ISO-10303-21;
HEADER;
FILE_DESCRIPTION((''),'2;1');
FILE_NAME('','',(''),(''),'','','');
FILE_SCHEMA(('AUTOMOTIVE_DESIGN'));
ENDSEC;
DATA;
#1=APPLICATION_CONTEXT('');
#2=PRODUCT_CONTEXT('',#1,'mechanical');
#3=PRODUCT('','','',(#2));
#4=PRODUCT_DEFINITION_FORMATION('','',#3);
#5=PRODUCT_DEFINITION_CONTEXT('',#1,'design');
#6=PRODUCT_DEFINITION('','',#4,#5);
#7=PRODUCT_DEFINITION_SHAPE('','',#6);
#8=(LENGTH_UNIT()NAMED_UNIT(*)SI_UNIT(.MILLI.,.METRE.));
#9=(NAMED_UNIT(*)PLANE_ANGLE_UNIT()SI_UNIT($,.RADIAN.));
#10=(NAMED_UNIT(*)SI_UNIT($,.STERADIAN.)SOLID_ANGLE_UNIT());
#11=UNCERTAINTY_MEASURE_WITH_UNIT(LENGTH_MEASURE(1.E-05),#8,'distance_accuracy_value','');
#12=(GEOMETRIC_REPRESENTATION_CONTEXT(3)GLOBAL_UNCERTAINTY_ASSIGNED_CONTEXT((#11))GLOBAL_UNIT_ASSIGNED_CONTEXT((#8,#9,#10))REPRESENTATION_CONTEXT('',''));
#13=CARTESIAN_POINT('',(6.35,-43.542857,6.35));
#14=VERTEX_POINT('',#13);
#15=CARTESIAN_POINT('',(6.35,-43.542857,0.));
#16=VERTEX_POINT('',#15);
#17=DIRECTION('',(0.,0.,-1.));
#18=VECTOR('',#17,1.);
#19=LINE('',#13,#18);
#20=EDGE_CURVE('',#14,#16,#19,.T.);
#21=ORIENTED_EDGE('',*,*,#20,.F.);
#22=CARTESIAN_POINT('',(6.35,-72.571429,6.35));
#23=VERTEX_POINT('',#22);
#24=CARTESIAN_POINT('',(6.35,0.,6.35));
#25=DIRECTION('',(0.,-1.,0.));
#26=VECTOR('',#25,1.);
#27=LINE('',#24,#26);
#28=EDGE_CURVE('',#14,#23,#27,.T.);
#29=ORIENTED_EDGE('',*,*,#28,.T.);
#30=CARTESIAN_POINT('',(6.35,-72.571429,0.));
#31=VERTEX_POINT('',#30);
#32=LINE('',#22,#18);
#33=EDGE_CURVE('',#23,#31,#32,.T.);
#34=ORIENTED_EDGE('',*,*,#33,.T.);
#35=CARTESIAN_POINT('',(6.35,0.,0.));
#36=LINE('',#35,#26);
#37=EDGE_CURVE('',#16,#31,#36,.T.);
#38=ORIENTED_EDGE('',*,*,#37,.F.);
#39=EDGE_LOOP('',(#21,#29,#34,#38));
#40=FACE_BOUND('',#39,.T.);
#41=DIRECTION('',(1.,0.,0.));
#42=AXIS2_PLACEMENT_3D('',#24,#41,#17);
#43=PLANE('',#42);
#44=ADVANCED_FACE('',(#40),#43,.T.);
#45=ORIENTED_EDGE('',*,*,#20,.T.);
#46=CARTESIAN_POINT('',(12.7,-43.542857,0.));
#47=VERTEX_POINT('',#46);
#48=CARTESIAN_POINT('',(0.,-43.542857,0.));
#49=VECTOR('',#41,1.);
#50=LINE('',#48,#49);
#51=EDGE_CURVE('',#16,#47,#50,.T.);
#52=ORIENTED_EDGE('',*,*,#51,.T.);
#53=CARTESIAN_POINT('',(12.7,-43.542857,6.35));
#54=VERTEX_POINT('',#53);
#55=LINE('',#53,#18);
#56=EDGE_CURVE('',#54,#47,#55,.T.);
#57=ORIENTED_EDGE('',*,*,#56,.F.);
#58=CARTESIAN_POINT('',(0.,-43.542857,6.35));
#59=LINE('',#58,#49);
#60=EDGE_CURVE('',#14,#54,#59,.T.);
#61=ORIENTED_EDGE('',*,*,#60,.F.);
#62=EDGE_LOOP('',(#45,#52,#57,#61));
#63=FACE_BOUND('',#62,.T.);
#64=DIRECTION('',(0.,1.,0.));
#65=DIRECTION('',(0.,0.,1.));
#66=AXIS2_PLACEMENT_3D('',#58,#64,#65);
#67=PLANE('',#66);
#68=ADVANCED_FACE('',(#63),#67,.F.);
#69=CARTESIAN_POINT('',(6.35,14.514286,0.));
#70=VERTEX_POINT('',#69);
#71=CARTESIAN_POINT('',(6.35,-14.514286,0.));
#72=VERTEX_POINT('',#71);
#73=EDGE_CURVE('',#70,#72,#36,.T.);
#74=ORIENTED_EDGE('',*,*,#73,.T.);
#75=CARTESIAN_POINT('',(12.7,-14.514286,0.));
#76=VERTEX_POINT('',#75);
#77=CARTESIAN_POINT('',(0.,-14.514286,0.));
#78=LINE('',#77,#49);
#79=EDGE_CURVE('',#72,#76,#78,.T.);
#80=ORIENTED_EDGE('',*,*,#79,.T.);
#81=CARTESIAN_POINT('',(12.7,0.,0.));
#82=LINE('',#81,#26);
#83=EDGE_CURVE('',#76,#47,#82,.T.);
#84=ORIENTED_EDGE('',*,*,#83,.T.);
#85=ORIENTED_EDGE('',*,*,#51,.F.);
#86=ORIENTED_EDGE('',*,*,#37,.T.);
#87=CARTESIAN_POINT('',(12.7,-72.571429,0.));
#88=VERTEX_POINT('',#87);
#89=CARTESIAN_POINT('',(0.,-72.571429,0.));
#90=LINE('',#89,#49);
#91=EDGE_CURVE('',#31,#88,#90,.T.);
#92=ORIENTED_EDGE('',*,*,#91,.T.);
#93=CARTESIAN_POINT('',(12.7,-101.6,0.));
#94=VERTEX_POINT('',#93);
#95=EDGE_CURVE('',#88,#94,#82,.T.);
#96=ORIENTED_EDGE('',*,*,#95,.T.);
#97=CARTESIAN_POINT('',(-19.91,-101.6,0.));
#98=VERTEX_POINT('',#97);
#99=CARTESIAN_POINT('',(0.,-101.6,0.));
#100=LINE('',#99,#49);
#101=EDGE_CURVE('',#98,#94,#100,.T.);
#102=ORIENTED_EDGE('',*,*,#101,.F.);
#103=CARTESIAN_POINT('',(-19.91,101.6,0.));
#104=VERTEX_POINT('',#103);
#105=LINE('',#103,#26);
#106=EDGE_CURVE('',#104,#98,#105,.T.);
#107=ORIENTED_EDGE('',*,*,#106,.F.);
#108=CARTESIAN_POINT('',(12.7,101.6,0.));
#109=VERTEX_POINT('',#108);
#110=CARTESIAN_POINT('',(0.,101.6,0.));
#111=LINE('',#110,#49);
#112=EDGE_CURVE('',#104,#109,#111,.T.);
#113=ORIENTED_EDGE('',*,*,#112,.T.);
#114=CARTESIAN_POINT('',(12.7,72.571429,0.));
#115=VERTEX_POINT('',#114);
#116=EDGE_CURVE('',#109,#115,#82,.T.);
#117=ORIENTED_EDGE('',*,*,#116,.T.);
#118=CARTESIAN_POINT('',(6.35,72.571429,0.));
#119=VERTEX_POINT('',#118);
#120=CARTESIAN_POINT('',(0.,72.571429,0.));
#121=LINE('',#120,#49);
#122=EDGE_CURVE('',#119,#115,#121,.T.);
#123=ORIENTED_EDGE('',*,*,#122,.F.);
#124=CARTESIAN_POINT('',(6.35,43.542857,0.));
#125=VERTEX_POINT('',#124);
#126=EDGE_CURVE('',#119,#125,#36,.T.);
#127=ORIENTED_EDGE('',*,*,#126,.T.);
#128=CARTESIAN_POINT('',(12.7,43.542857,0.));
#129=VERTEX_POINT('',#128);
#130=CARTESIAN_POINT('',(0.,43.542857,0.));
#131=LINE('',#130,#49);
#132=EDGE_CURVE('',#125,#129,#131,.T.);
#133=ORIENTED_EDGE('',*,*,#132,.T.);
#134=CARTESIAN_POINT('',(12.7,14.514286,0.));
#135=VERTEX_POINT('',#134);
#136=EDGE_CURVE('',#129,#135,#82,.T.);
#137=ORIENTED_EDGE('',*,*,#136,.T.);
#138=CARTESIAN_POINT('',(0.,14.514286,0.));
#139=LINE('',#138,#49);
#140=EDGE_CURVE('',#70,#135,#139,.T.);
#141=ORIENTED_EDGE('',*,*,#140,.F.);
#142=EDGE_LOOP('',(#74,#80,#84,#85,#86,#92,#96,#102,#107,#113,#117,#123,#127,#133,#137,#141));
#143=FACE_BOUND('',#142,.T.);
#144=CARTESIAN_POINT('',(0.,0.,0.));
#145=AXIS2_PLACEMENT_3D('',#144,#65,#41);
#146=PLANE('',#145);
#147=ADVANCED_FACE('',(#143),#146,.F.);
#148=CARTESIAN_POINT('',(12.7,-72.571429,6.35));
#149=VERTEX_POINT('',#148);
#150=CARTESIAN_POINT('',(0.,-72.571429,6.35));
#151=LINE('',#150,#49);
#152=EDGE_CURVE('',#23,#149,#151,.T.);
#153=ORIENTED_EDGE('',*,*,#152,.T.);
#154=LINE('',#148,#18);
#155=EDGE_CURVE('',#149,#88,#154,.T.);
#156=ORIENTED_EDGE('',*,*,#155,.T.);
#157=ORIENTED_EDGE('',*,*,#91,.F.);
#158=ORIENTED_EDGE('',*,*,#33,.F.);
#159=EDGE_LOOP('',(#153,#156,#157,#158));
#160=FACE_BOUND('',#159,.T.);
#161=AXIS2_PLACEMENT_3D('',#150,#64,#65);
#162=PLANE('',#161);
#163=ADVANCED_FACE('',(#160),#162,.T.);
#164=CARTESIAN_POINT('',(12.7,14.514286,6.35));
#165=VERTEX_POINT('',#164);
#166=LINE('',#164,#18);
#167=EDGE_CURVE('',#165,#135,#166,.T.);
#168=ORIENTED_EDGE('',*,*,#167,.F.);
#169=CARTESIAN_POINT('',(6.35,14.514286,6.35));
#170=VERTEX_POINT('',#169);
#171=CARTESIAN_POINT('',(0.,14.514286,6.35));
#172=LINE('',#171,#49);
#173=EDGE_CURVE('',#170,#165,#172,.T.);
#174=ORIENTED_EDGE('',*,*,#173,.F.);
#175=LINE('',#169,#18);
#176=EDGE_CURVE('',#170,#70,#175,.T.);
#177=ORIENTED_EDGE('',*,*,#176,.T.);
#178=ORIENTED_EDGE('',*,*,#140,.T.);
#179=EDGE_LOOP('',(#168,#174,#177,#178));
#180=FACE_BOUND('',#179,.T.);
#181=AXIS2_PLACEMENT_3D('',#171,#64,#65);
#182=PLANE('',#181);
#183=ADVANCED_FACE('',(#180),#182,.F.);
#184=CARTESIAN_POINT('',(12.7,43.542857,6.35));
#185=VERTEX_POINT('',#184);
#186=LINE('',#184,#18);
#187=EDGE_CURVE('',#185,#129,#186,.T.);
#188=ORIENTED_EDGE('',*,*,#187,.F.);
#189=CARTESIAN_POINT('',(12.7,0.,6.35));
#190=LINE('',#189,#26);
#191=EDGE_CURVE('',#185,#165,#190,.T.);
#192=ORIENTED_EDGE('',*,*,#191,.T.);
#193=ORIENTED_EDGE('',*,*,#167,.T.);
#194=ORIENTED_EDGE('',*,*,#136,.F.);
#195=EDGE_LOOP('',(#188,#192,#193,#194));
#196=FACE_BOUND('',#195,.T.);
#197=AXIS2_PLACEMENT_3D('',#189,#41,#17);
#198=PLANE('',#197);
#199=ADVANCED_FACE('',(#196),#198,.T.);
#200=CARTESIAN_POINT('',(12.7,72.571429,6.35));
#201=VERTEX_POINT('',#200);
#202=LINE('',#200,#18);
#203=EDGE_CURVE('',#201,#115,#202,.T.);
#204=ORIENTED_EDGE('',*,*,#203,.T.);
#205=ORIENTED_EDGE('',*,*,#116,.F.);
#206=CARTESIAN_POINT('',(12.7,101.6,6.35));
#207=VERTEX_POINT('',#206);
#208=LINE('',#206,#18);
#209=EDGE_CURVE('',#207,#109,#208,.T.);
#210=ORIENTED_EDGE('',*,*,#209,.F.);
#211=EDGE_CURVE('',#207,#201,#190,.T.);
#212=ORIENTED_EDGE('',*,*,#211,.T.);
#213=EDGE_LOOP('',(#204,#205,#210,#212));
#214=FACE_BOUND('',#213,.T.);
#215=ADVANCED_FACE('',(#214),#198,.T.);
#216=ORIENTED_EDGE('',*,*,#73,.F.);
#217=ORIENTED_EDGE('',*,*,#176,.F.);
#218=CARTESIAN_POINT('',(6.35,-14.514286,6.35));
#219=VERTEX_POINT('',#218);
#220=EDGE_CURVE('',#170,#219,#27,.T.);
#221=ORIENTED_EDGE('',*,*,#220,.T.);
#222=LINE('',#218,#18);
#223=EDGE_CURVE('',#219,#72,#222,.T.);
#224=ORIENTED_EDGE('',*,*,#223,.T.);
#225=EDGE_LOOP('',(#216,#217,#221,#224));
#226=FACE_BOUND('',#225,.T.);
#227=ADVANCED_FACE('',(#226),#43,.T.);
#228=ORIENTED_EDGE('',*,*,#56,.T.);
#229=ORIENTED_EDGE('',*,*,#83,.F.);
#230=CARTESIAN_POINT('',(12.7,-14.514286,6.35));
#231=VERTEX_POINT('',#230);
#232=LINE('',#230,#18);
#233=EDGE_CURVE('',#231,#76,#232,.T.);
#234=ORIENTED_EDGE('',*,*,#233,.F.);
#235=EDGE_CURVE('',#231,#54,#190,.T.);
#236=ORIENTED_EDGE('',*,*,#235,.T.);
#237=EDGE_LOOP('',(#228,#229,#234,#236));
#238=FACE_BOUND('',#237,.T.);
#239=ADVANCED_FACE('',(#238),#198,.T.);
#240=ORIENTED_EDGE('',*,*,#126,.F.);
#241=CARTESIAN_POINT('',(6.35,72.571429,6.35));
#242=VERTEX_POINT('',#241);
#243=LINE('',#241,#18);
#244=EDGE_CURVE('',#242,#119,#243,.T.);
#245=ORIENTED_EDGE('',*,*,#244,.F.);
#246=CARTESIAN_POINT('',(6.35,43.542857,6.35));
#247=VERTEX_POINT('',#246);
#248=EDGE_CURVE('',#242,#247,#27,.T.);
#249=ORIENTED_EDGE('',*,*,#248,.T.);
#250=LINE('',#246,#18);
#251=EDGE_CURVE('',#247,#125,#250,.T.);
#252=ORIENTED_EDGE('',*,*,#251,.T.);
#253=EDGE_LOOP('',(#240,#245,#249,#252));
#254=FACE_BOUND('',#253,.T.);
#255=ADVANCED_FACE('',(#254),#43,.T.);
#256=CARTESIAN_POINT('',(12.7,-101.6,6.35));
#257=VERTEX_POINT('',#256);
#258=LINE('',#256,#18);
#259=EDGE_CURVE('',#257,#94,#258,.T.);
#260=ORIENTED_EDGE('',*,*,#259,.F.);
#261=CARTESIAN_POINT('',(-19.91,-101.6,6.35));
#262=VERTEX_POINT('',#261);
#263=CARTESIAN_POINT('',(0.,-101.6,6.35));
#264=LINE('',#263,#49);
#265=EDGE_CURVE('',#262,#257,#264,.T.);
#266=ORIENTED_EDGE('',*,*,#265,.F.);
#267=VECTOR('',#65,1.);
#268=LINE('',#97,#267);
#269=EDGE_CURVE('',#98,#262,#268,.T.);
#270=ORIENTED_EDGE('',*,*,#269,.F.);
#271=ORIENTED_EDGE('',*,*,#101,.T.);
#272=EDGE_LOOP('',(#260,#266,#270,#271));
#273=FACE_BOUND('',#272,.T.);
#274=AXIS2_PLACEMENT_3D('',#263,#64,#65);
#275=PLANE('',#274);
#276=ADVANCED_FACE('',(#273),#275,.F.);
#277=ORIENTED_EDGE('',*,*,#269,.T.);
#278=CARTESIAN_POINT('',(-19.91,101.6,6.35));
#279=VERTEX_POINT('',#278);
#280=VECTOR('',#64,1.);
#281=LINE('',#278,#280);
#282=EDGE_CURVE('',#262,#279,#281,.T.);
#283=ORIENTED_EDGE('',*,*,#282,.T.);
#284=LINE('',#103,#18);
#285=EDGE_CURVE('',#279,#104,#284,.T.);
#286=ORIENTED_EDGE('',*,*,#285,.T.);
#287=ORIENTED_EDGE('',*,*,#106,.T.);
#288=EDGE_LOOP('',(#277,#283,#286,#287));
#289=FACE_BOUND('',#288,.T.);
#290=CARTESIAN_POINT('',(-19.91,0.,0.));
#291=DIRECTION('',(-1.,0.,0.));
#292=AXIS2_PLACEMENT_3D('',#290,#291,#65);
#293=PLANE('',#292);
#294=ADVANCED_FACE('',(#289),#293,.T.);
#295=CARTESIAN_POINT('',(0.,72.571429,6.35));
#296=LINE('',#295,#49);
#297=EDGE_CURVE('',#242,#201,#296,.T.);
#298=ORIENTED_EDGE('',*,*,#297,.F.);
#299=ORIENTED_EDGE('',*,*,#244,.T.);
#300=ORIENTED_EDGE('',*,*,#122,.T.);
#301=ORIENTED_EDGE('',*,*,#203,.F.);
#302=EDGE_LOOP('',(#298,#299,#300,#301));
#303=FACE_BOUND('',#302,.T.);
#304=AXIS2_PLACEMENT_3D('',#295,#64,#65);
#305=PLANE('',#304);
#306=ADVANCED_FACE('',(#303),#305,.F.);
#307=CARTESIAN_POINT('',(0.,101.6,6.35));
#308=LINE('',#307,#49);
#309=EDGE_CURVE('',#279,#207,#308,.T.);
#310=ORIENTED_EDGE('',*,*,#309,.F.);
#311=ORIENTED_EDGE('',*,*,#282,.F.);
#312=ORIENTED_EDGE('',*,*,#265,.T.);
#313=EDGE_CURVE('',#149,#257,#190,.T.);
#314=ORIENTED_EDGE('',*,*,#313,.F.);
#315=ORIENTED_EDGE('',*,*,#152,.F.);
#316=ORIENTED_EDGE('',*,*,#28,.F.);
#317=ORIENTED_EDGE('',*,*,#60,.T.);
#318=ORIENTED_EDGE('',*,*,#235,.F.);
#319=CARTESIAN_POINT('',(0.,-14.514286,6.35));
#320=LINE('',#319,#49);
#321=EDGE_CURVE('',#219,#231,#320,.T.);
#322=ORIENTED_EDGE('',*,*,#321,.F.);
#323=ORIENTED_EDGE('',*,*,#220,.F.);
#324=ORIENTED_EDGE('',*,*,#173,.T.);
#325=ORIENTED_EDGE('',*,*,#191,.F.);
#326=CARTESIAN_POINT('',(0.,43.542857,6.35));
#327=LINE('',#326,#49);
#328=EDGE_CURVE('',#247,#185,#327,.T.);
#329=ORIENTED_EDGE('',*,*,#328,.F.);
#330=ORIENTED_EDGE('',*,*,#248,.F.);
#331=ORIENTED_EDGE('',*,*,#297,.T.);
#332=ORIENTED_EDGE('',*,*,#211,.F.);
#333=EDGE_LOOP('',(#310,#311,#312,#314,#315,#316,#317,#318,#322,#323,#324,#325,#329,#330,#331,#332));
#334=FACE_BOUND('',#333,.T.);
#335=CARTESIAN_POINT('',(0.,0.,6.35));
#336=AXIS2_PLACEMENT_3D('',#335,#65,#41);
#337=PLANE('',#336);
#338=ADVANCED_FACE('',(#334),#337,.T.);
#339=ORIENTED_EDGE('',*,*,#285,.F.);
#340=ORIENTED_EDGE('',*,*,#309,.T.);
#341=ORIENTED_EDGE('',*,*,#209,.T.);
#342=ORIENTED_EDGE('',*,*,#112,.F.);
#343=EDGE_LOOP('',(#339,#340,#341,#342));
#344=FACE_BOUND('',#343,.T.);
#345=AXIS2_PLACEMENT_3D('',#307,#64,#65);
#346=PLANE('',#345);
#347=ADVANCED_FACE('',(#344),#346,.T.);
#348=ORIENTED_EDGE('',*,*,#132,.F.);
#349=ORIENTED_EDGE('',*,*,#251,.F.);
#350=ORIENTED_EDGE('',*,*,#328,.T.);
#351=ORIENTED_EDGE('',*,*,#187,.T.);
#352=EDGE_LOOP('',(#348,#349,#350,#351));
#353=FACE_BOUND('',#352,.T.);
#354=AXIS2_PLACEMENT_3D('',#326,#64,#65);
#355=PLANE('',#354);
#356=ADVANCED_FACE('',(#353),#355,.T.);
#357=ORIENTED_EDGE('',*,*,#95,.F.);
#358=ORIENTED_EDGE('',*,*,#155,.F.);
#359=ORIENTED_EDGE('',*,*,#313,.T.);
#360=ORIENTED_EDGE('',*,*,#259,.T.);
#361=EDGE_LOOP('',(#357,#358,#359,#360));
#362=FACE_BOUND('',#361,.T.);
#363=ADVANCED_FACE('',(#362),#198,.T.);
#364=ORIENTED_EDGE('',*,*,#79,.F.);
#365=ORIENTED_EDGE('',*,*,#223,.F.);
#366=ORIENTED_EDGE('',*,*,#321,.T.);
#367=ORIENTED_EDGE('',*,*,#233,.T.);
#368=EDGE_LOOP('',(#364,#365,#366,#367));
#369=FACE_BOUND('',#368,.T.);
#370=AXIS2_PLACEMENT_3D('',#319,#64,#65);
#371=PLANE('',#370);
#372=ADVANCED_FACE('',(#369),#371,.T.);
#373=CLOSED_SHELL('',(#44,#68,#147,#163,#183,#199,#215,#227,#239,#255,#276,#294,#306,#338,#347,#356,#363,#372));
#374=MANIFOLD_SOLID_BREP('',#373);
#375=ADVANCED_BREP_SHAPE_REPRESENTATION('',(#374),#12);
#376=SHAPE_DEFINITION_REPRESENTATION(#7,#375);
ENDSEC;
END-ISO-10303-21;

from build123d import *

# Parameters (mm, degrees)
SKETCH1_W           = 6.35
SKETCH1_H           = 203.2
SKETCH1_H_2         = 29.028571429
BOSS_EXTRUDE1_DEPTH = 6.35
SKETCH2_W           = 6.35
SKETCH2_H           = 203.2
BOSS_EXTRUDE2_DEPTH = 13.56


with BuildPart() as part:
    # Sketch1 → Boss-Extrude1 (new body)
    with BuildSketch(Plane.XY):
        with Locations((-3.175, 0)):
            Rectangle(SKETCH1_W, SKETCH1_H)
        Polygon((6.35, 101.6), (0, 101.6), (0, -101.6), (6.35, -101.6), (6.35, -72.571428571), (6.35, -43.542857143), (6.35, -14.514285714), (6.35, 14.514285714), (6.35, 43.542857143), (6.35, 72.571428571), align=None)
        with Locations((9.525, 87.085714286)):
            Rectangle(SKETCH1_W, SKETCH1_H_2)
        with Locations((9.525, 29.028571429)):
            Rectangle(SKETCH1_W, SKETCH1_H_2)
        with Locations((9.525, -29.028571429)):
            Rectangle(SKETCH1_W, SKETCH1_H_2)
        with Locations((9.525, -87.085714286)):
            Rectangle(SKETCH1_W, SKETCH1_H_2)
    extrude(amount=BOSS_EXTRUDE1_DEPTH)

    # Sketch2 → Boss-Extrude2 (add)
    with BuildSketch(Plane.ZY.offset(6.35)):
        with Locations((3.175, 0)):
            Rectangle(SKETCH2_W, SKETCH2_H)
    extrude(amount=BOSS_EXTRUDE2_DEPTH)


solid = part.part
